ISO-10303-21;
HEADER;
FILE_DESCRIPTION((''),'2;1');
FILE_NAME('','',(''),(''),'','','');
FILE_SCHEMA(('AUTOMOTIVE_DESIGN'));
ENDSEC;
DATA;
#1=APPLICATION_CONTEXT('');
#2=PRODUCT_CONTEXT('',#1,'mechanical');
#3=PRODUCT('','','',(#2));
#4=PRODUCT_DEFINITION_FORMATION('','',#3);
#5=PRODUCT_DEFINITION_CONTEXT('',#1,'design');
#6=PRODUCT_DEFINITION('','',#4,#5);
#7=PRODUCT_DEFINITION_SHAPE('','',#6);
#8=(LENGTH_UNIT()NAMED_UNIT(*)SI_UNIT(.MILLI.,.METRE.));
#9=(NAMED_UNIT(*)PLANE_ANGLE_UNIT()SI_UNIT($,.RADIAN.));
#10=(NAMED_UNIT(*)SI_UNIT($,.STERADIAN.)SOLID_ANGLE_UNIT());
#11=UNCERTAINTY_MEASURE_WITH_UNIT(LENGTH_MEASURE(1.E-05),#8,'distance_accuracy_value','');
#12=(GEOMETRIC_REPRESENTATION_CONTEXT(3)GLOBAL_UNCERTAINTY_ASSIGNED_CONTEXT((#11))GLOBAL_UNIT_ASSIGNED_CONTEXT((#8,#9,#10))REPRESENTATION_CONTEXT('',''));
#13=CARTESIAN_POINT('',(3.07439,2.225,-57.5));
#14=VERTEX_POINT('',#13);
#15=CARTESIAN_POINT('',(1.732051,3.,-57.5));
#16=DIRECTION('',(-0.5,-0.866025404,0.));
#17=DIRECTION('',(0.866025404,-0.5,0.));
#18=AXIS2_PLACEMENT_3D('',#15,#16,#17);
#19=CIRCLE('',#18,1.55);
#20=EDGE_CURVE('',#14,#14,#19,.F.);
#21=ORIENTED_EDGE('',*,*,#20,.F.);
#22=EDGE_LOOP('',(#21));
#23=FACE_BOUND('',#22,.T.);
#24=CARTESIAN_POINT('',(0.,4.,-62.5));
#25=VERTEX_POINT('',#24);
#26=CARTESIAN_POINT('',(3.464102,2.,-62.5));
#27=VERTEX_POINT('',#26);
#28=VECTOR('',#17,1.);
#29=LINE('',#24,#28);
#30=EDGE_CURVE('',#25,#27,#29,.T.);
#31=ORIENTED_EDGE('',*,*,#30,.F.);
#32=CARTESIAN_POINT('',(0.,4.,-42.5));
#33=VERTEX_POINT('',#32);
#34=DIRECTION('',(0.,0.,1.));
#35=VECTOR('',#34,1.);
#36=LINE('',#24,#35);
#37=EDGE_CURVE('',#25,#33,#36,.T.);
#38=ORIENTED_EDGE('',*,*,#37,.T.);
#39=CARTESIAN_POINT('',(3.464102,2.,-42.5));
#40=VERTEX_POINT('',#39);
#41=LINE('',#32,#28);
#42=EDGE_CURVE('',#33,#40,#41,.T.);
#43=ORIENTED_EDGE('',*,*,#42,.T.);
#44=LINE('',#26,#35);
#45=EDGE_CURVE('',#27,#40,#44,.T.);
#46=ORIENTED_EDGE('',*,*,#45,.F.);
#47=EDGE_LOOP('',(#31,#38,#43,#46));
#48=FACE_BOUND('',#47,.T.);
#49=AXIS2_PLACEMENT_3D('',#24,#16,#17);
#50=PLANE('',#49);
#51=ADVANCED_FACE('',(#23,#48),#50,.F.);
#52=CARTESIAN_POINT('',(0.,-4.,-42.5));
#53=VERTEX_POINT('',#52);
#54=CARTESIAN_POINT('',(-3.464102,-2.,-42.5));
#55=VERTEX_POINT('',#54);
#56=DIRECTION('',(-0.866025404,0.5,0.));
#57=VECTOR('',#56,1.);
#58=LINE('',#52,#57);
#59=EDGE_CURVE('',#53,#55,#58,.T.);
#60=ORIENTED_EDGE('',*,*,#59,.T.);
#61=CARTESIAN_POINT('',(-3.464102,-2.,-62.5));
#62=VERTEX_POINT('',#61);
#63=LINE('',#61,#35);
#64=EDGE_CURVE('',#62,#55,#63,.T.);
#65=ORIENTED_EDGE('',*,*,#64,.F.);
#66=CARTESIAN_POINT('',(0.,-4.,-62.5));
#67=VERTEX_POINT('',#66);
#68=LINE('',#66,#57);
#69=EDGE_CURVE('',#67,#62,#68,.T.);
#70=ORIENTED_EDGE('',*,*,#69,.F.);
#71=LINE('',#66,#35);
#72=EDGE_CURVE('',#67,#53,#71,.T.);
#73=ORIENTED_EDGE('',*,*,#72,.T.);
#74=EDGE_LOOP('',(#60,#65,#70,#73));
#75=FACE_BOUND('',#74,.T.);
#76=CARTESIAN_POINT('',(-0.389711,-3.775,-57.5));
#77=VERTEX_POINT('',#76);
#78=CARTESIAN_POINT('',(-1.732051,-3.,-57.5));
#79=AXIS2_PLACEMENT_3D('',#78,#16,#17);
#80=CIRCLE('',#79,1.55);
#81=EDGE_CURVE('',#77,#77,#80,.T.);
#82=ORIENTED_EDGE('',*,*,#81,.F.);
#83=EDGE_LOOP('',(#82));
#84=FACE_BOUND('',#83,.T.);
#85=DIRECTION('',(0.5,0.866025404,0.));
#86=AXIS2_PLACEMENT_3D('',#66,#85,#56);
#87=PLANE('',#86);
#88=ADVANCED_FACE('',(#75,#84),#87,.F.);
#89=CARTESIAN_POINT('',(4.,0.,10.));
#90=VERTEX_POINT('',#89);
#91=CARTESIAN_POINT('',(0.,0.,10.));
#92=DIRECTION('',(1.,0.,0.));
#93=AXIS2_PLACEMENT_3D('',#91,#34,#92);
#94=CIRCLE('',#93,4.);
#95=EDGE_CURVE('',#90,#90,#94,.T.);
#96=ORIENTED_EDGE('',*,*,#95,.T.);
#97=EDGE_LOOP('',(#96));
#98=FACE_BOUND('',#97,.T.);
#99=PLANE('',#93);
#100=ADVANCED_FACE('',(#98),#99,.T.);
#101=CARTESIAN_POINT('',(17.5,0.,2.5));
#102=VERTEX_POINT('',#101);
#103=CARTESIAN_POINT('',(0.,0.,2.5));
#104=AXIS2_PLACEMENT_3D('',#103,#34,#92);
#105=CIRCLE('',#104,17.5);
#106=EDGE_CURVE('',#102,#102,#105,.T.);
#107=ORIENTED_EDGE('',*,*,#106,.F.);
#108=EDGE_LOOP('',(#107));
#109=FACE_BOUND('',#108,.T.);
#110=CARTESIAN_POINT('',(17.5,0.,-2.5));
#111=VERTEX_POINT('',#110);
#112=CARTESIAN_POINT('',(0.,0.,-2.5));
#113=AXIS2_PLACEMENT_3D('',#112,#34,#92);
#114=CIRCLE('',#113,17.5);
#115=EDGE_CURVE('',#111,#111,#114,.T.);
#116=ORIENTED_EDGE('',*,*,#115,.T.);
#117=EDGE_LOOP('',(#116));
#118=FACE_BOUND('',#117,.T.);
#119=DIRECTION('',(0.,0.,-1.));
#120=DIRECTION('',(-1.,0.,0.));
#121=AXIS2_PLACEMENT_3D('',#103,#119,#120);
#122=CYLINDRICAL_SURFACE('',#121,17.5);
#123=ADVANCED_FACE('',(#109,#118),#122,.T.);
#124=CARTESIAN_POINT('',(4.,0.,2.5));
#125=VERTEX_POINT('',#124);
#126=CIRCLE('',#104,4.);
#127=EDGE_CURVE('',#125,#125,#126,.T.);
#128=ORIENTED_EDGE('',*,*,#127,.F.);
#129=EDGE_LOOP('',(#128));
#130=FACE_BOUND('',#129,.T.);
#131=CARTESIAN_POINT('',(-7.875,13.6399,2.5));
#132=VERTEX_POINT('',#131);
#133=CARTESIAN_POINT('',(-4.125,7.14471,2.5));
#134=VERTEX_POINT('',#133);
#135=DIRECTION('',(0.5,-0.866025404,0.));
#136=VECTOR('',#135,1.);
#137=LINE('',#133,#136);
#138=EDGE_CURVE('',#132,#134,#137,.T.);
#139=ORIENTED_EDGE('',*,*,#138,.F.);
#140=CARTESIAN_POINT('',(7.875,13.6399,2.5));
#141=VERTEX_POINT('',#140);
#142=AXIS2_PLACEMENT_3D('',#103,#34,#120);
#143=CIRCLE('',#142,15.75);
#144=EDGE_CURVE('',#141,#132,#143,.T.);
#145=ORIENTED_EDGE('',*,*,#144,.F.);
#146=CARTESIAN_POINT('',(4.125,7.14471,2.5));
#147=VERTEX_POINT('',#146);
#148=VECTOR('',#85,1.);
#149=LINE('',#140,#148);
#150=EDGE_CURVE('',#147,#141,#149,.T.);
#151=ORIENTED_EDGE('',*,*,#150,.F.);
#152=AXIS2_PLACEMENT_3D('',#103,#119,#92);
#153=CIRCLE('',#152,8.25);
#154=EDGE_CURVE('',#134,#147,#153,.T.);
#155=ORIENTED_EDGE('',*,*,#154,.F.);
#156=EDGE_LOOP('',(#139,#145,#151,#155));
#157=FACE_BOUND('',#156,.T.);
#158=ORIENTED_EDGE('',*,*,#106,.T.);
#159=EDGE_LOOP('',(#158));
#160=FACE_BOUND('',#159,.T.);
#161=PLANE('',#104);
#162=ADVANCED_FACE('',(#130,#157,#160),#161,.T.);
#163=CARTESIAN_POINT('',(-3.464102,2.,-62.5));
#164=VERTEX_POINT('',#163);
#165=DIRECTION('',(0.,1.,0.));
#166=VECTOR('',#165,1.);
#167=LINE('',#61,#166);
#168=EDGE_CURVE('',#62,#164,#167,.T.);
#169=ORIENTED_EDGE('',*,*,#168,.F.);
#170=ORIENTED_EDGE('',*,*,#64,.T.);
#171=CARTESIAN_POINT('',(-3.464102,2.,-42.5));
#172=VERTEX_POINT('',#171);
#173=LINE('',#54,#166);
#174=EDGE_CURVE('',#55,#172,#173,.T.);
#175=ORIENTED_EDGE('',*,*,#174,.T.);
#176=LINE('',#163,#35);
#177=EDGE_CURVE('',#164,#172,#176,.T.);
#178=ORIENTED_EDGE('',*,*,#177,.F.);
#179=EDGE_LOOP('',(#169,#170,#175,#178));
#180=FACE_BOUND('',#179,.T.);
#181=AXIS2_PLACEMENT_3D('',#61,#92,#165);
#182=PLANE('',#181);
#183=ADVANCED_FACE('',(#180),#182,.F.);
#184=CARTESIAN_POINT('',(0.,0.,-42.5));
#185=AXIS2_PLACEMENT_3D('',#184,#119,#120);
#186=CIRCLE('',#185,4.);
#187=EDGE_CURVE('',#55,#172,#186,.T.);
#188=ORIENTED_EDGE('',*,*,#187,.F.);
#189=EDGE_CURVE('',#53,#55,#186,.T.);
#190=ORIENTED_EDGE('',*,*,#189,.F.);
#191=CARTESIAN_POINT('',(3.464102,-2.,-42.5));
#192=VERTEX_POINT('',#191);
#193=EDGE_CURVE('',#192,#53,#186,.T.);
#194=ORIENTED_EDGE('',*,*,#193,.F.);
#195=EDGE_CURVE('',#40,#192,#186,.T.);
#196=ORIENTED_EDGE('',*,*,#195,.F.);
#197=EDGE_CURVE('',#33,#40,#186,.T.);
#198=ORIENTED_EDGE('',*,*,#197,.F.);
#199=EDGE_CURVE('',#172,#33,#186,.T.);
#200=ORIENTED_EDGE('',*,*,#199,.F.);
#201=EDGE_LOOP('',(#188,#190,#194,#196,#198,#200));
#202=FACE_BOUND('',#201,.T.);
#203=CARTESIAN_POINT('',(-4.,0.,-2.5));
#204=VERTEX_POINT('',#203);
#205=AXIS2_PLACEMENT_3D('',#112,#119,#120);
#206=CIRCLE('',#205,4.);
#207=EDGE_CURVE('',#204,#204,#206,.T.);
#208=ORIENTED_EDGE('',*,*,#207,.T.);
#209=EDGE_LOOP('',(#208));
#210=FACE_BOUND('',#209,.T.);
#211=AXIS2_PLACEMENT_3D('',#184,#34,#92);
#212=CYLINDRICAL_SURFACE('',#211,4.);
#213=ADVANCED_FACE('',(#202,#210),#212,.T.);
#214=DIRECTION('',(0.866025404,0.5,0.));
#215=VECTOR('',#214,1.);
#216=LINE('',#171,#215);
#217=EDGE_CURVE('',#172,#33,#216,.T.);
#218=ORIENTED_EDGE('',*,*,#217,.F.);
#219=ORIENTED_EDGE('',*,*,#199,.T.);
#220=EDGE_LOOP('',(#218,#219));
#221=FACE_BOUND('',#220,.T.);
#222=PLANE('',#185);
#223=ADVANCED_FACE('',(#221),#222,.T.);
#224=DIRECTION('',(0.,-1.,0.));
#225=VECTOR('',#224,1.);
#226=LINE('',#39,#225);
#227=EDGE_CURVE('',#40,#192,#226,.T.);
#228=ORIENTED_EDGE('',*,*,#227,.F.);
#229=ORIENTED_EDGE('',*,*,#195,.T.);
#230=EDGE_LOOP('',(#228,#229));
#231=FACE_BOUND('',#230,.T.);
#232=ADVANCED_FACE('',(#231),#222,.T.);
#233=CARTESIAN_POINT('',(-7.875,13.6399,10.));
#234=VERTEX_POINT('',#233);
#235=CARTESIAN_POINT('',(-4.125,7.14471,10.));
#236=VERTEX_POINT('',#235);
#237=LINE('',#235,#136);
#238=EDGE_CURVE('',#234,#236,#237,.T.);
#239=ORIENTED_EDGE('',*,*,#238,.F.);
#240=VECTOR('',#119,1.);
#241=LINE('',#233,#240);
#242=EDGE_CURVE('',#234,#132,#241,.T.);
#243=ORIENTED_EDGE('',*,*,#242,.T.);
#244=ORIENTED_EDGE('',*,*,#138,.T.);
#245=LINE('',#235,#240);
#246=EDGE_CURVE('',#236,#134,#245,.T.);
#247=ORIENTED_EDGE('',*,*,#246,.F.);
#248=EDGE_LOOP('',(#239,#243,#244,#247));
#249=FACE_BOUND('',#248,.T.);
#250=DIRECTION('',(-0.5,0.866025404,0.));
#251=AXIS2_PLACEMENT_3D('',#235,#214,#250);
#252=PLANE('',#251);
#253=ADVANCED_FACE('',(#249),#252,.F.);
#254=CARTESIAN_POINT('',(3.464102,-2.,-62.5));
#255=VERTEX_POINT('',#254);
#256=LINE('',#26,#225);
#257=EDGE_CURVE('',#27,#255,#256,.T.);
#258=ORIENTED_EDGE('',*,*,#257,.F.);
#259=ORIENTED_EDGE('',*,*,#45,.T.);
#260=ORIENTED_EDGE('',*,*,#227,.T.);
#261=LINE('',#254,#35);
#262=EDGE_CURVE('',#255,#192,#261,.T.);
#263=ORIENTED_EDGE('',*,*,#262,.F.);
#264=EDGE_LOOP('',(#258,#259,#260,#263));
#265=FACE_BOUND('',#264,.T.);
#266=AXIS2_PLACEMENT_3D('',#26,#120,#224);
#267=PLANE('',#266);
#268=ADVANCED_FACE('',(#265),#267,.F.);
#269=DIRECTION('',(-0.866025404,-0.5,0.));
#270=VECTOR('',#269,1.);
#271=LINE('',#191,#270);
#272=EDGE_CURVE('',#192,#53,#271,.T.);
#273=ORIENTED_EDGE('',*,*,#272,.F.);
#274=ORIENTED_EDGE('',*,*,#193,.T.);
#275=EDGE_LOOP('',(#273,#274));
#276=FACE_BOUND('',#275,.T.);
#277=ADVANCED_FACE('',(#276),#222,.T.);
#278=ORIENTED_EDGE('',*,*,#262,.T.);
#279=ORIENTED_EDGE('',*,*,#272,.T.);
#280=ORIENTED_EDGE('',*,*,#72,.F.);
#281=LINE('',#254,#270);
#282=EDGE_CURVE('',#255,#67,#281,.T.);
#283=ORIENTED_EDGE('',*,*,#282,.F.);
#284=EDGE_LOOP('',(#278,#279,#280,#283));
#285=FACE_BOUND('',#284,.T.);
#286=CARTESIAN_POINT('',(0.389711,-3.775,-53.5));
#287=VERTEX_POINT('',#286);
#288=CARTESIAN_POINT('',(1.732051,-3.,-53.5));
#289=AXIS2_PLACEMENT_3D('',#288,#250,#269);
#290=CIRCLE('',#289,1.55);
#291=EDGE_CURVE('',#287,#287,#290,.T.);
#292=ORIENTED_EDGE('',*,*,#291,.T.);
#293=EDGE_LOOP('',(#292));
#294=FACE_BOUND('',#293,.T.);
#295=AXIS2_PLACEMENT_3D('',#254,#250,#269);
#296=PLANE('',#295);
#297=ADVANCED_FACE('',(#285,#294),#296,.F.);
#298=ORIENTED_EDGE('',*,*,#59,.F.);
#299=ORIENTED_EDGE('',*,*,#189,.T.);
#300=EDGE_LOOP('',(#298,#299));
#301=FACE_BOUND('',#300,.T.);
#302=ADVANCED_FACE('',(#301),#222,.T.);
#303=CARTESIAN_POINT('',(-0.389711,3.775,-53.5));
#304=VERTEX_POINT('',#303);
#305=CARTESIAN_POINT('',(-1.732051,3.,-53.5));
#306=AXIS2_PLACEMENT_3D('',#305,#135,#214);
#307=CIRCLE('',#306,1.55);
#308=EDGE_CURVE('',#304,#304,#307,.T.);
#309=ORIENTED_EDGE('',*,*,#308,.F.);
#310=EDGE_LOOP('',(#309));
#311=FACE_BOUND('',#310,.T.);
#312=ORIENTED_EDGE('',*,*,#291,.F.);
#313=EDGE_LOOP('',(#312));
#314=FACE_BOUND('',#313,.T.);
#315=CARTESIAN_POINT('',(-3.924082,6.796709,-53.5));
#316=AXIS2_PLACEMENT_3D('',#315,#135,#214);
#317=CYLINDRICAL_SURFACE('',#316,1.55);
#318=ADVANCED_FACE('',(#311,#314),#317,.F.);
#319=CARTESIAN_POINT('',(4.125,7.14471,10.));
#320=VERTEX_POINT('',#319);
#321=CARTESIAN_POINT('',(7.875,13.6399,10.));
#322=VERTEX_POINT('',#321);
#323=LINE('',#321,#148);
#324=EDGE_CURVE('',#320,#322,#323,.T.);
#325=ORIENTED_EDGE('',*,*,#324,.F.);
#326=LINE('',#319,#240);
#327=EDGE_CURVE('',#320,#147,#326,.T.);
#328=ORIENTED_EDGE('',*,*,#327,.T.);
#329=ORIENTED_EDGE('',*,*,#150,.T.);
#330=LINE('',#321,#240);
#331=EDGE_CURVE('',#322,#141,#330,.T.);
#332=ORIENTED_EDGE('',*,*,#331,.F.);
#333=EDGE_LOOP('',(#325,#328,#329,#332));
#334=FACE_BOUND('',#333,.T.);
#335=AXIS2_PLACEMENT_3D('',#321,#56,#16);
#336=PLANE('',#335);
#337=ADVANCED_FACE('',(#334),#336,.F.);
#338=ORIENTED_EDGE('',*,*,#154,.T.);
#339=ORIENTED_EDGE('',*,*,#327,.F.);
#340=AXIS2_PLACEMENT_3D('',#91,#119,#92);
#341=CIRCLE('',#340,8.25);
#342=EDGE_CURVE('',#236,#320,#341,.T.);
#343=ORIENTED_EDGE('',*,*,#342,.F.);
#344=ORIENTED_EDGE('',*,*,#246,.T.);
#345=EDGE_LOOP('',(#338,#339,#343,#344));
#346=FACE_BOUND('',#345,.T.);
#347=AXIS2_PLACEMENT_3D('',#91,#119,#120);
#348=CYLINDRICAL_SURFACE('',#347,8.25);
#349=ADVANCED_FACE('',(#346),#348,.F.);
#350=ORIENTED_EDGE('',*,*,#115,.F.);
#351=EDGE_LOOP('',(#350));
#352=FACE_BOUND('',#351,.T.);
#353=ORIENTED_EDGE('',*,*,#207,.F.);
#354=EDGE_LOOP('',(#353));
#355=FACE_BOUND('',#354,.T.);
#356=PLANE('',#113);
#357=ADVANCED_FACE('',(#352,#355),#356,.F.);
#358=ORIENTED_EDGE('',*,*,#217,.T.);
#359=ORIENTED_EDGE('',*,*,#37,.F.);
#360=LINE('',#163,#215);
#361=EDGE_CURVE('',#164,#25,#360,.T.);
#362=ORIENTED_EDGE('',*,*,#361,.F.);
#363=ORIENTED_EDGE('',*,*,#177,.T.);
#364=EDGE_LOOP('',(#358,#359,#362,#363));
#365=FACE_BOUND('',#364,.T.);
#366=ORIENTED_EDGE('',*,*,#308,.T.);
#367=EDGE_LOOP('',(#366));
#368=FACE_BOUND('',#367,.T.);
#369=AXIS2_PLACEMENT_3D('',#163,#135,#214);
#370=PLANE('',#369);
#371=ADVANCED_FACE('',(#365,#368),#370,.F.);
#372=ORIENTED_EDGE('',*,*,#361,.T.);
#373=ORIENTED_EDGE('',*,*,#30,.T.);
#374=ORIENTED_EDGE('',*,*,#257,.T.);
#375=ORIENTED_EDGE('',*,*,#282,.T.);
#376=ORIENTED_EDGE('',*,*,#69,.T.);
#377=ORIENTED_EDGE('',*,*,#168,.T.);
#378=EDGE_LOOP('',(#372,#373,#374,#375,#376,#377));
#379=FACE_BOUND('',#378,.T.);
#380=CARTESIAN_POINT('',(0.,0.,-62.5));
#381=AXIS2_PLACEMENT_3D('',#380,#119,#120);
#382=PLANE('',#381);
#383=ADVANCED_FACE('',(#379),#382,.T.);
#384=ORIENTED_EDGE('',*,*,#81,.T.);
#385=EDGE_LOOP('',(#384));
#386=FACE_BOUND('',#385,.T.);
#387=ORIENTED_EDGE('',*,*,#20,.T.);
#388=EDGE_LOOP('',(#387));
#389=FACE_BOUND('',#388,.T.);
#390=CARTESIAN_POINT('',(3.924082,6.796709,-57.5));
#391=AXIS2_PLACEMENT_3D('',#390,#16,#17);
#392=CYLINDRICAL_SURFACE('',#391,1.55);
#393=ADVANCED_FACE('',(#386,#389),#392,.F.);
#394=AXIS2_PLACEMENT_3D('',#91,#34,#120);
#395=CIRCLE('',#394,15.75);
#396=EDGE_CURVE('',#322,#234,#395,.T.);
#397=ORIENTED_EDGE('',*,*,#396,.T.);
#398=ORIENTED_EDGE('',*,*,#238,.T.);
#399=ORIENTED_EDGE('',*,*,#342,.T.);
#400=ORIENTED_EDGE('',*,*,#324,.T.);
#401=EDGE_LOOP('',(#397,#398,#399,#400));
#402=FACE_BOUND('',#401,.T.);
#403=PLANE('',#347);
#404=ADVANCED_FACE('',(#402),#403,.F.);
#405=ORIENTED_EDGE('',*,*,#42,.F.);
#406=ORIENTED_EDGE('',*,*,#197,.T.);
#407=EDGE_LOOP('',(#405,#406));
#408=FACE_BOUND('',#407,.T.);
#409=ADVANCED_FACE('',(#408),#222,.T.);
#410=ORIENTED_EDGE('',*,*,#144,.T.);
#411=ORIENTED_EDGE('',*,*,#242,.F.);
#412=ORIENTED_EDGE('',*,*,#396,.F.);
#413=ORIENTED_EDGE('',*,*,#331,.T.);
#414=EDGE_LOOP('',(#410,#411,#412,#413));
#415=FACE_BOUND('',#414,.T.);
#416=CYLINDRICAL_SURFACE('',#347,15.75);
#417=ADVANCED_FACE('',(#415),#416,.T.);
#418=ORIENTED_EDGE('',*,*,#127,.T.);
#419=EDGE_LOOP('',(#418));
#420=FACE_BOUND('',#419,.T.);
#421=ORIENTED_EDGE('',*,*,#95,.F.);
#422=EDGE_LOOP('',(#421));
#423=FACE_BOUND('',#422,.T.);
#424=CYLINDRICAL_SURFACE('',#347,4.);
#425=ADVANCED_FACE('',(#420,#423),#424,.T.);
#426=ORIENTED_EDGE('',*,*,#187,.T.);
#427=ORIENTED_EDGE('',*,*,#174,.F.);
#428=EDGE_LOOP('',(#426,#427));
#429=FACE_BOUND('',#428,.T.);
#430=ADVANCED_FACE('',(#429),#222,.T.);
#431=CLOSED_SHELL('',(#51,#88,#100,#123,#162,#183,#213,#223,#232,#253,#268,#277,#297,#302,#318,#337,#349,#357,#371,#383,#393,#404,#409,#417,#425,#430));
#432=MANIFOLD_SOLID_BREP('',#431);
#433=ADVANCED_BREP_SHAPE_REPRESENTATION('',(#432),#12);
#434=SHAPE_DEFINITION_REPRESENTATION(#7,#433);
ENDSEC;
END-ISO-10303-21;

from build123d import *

# Parameters (mm, degrees)
SKETCH1_R           = 17.5
BOSS_EXTRUDE1_DEPTH = 2.5
BOSS_EXTRUDE2_DEPTH = 7.5
SKETCH3_R           = 4
BOSS_EXTRUDE3_DEPTH = 7.5
BOSS_EXTRUDE4_START = 40
SKETCH7_R           = 4
BOSS_EXTRUDE4_DEPTH = 40
BOSS_EXTRUDE5_DEPTH = 20
SKETCH10_R          = 1.55
CUT_EXTRUDE1_DEPTH  = 6.92820323
SKETCH11_R          = 1.55
CUT_EXTRUDE4_DEPTH  = 6.92820323


with BuildPart() as part:
    # Sketch1 → Boss-Extrude1 (new, symmetric)
    with BuildSketch(Plane.XY):
        Circle(SKETCH1_R)
    extrude(amount=BOSS_EXTRUDE1_DEPTH, both=True)

    # Sketch2 → Boss-Extrude2 (add)
    with BuildSketch(Plane.XY.offset(2.5)):
        with BuildLine():
            Line((7.875, 13.63990011), (4.125, 7.144709581))
            ThreePointArc((4.125, 7.144709581), (0, 8.25), (-4.125, 7.144709581))
            Line((-4.125, 7.144709581), (-7.875, 13.63990011))
            ThreePointArc((-7.875, 13.63990011), (0, 15.75), (7.875, 13.63990011))
        make_face()
    extrude(amount=BOSS_EXTRUDE2_DEPTH)

    # Sketch3 → Boss-Extrude3 (add)
    with BuildSketch(Plane.XY.offset(2.5)):
        Circle(SKETCH3_R)
    extrude(amount=BOSS_EXTRUDE3_DEPTH)

    # Sketch7 → Boss-Extrude4 (add)
    with BuildSketch(Plane(origin=(0, 0, -2.5), x_dir=(-1, 0, 0), z_dir=(0, 0, -1)).offset(BOSS_EXTRUDE4_START)):
        with Locations(Location((0, 0, 0), (0, 0, 180))):
            Circle(SKETCH7_R)
    extrude(amount=-BOSS_EXTRUDE4_DEPTH)

    # Sketch9 → Boss-Extrude5 (add)
    with BuildSketch(Plane(origin=(0, 0, -42.5), x_dir=(-1, 0, 0), z_dir=(0, 0, -1))):
        Polygon((0, 4), (-3.464101615, 2), (-3.464101615, -2), (0, -4), (3.464101615, -2), (3.464101615, 2), align=None)
    extrude(amount=BOSS_EXTRUDE5_DEPTH)

    # Sketch10 → Cut-Extrude1 (cut)
    with BuildSketch(Plane(origin=(-1.732050808, -3, 0), x_dir=(0.866025403784435, -0.5000000000000062, 0), z_dir=(-0.5000000000000062, -0.866025403784435, 0))):
        with Locations((0, -57.5)):
            Circle(SKETCH10_R)
    extrude(amount=-CUT_EXTRUDE1_DEPTH, mode=Mode.SUBTRACT)

    # Sketch11 → Cut-Extrude4 (cut)
    with BuildSketch(Plane(origin=(1.732050808, -3, 0), x_dir=(0, 0, 1), z_dir=(-0.49999999999999717, 0.8660254037844404, 0))):
        with Locations(Location((-53.5, 0, 0), (0, 0, 90))):
            Circle(SKETCH11_R)
    extrude(amount=CUT_EXTRUDE4_DEPTH, mode=Mode.SUBTRACT)


solid = part.part
